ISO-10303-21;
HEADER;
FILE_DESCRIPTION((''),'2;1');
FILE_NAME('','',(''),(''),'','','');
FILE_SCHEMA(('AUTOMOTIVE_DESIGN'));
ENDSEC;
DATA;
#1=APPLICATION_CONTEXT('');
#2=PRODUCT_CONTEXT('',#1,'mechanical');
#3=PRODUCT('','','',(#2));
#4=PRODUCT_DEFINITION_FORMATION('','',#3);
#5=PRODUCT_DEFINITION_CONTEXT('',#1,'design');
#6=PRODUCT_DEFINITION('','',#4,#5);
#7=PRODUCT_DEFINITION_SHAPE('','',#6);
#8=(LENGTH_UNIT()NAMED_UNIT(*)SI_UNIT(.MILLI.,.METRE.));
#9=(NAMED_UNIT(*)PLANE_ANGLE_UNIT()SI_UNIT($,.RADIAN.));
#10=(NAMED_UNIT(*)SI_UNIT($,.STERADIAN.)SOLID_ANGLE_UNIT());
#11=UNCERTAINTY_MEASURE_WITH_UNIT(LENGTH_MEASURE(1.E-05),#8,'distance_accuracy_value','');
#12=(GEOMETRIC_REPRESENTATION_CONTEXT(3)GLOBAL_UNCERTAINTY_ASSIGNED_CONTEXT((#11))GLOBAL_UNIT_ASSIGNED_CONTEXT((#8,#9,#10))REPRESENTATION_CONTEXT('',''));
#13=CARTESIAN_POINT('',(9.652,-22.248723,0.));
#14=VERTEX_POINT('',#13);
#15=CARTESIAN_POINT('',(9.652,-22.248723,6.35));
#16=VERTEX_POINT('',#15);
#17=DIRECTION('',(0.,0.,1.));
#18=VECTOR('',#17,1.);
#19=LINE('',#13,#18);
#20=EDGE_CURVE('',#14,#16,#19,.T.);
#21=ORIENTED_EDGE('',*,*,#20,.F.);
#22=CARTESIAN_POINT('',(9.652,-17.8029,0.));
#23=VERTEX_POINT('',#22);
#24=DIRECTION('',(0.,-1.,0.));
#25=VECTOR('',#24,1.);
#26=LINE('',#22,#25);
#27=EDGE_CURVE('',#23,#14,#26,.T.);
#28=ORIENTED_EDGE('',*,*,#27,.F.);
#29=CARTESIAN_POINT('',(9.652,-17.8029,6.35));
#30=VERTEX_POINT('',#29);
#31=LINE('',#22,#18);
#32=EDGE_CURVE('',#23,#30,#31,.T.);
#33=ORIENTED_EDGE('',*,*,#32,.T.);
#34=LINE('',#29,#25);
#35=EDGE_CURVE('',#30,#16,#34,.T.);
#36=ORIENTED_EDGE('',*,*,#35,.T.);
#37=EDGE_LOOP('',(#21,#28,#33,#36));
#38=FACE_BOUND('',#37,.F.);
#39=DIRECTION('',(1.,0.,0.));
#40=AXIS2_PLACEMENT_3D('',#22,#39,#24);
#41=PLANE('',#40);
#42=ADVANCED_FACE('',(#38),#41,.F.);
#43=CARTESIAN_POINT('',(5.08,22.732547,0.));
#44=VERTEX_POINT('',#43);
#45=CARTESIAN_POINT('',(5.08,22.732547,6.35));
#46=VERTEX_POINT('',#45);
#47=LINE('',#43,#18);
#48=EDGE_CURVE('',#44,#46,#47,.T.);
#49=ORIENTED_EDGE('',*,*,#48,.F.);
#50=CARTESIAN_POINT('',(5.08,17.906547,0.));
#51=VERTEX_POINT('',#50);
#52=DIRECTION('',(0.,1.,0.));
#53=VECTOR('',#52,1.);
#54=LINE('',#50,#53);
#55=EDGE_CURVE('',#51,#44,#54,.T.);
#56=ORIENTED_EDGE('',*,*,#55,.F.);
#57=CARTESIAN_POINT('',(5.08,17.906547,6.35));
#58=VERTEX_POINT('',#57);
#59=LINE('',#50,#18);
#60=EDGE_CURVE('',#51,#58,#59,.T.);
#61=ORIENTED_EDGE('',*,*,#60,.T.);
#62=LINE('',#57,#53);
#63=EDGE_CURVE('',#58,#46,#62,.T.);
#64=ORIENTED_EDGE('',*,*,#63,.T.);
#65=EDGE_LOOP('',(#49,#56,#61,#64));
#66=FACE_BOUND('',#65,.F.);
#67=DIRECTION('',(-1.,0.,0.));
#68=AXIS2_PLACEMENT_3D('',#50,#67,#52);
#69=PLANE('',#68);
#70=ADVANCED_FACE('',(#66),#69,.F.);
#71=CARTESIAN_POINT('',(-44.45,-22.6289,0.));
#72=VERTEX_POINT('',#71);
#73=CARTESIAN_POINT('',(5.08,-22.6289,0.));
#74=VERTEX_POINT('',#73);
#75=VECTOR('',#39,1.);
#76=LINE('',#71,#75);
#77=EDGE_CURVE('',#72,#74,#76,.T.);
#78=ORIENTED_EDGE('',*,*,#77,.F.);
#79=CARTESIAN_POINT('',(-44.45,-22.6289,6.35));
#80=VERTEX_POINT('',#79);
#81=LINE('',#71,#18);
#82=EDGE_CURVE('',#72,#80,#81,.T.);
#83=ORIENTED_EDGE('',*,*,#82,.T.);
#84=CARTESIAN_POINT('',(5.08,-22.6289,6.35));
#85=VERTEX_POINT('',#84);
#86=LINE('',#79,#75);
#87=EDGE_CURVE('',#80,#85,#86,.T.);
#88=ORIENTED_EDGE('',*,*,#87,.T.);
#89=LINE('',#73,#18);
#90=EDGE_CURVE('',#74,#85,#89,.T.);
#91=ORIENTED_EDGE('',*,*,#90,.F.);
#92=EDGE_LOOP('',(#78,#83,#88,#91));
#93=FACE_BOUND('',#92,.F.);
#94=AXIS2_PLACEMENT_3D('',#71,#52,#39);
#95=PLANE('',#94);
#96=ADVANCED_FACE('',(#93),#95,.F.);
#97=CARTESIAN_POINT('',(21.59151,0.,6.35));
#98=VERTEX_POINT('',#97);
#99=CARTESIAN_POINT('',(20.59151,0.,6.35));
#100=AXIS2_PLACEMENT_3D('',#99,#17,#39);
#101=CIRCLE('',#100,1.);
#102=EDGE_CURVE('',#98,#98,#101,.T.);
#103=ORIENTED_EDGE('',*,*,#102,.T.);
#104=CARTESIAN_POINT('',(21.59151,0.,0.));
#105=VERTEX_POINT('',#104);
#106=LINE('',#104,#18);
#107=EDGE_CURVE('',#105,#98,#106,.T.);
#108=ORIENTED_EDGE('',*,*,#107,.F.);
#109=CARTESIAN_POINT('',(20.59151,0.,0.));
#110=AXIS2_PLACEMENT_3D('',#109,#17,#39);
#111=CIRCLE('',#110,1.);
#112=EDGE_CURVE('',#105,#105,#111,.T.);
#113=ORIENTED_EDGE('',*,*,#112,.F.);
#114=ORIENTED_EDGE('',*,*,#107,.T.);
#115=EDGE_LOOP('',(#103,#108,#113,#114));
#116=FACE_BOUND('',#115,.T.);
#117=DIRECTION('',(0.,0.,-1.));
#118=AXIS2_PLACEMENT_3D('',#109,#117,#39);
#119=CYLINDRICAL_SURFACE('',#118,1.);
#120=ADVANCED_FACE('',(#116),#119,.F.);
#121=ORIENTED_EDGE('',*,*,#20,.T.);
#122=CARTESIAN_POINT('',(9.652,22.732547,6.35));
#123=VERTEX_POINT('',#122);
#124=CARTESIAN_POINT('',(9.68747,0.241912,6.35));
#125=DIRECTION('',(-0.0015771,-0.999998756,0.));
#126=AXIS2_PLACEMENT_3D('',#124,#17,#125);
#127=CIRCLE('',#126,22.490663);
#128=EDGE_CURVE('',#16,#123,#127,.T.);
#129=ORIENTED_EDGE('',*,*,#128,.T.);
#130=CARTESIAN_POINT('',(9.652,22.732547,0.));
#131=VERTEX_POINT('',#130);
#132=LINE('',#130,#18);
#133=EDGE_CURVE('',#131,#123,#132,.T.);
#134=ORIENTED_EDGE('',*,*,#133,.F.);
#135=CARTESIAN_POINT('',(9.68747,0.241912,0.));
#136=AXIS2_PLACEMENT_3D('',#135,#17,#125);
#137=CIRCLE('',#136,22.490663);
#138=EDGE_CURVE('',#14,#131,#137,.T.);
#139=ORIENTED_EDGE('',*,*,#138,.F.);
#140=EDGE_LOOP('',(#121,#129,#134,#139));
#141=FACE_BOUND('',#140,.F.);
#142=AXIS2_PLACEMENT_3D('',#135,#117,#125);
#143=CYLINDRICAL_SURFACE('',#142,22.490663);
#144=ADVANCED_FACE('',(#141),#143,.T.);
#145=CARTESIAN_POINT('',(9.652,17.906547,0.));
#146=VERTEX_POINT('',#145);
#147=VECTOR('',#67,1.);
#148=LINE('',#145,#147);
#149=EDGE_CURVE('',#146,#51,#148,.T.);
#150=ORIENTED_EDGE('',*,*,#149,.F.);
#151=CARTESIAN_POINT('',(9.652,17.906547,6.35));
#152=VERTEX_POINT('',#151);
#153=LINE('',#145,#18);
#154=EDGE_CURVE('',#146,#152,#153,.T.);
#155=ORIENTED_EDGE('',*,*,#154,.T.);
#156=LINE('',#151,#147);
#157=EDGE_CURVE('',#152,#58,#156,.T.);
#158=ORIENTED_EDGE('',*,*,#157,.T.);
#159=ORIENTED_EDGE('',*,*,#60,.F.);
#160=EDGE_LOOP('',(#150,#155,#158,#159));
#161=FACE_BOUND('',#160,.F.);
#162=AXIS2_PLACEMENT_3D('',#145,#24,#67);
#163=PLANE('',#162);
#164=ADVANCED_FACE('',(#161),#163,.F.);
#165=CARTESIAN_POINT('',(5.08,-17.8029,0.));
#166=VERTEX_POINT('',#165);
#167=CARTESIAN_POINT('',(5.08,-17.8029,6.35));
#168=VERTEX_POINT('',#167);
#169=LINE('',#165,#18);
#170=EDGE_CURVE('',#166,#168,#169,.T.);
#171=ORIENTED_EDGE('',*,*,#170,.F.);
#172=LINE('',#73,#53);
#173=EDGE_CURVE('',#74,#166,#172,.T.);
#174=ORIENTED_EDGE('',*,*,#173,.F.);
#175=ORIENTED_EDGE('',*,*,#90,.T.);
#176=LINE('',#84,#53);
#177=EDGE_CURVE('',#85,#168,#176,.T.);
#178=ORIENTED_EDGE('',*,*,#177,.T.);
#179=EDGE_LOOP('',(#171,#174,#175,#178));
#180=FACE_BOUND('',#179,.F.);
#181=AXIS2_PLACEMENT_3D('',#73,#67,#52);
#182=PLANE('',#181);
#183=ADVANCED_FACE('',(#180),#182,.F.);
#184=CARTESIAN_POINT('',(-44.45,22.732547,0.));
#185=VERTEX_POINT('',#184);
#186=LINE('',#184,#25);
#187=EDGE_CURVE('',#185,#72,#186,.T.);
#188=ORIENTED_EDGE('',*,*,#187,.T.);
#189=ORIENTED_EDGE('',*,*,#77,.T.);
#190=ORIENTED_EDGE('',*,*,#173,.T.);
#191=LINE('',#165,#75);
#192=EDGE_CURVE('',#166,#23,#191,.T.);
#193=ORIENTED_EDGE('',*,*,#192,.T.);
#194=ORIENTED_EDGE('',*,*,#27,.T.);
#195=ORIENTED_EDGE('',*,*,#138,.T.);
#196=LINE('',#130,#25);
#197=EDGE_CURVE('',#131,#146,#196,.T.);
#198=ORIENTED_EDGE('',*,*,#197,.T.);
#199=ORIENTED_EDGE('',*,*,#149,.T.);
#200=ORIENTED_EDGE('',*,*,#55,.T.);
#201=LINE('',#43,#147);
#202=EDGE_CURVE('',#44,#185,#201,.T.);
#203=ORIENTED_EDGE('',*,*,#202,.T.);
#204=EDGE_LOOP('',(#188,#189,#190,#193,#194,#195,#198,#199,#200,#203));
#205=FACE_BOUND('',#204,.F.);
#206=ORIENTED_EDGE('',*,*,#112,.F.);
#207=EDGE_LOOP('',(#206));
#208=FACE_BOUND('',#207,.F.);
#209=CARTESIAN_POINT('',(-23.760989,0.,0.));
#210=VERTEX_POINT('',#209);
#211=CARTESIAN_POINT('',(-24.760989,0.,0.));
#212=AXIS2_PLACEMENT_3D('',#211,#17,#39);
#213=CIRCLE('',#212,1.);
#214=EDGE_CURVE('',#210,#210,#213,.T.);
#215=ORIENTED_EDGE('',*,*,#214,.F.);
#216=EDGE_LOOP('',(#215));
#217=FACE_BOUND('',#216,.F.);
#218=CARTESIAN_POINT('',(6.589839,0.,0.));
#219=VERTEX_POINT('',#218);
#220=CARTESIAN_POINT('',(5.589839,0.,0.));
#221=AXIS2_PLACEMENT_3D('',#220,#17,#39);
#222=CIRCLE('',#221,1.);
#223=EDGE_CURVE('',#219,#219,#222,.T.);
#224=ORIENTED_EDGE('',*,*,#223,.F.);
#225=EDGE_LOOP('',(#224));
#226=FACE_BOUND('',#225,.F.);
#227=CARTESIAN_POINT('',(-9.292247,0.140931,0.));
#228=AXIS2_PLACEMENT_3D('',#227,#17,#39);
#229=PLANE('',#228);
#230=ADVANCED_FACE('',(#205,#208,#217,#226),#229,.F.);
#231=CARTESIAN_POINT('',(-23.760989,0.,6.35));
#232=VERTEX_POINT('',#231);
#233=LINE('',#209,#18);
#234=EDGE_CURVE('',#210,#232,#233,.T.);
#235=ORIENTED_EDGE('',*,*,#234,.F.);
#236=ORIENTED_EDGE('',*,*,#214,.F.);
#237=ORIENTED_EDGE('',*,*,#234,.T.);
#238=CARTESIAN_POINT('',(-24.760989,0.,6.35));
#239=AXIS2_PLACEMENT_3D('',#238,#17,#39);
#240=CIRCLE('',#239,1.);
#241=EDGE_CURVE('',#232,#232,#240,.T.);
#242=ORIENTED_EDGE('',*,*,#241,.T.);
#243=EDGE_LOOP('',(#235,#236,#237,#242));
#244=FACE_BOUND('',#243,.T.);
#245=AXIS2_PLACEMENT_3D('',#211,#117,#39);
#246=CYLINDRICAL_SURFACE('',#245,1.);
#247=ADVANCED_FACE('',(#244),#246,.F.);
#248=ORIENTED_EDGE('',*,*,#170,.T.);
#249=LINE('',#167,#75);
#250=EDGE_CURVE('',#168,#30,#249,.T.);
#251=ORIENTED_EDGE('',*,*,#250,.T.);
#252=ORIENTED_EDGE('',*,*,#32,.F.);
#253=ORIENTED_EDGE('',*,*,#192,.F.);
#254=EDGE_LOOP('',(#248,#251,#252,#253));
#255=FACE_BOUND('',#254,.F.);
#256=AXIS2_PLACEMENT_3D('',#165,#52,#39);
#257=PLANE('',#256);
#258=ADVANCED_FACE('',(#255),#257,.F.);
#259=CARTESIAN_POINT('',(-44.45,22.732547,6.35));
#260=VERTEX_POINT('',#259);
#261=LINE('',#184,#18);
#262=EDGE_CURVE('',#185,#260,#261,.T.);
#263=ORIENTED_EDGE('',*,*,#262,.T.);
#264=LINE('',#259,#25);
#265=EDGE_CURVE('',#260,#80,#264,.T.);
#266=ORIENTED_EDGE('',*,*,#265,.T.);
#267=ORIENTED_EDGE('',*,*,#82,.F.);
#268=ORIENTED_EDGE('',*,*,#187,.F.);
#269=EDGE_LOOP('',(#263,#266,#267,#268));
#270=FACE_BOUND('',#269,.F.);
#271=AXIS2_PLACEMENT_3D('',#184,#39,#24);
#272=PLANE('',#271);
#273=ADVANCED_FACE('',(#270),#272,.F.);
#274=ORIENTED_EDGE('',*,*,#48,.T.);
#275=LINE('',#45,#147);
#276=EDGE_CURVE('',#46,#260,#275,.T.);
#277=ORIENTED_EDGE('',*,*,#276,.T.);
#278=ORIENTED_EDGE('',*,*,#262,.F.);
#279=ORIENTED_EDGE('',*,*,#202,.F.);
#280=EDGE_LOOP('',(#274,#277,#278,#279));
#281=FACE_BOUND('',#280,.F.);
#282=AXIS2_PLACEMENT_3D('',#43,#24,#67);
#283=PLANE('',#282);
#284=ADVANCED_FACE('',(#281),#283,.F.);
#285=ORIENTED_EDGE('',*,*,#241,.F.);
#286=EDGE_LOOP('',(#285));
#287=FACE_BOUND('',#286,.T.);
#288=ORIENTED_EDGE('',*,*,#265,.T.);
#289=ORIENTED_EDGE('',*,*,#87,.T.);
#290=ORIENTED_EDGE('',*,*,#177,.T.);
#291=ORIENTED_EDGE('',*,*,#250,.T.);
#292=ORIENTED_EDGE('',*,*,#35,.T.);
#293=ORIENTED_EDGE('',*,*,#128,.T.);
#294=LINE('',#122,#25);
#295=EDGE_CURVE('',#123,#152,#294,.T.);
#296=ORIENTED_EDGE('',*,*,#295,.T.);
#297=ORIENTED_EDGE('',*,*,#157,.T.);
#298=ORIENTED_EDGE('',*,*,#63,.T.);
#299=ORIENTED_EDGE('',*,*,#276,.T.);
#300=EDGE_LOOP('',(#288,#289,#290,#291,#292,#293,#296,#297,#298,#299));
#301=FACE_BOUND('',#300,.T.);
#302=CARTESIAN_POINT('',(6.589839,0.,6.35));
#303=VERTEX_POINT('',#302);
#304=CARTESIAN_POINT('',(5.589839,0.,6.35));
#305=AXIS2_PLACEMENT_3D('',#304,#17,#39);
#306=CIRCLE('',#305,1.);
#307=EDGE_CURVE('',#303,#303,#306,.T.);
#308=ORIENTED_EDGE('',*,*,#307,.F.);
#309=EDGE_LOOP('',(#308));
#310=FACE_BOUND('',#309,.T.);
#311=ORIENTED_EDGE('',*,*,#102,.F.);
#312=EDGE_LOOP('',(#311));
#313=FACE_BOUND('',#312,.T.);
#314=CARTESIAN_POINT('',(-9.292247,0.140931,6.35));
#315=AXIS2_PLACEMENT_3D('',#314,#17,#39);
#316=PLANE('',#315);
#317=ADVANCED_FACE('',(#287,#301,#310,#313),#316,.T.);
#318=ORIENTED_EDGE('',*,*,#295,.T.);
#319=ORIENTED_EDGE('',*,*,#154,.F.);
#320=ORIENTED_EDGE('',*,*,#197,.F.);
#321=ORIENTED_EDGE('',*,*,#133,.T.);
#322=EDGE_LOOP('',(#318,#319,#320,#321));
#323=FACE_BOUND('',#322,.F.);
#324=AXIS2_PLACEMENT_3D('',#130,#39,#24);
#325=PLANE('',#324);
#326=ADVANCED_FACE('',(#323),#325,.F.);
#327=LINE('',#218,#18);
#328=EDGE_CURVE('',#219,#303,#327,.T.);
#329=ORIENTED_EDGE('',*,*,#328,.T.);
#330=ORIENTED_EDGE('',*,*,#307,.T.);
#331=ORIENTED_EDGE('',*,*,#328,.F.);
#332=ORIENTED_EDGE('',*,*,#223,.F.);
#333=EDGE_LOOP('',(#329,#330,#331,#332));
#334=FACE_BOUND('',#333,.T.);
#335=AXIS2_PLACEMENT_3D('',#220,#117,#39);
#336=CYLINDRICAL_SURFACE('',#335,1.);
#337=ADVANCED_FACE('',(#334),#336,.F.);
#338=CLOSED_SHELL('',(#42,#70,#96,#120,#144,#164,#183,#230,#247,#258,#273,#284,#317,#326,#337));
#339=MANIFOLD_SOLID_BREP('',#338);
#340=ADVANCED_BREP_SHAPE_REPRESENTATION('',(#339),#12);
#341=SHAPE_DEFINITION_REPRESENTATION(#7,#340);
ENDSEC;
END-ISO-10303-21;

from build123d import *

# Parameters (mm, degrees)
F0_R     = 1
F1_DEPTH = 6.35


with BuildPart() as f1:
    # F0 (on Top) → F1 (new body)
    with BuildSketch(Plane.XY):
        with BuildLine():
            Line((-44.45, 22.732547), (-44.45, -22.6289))
            Line((-44.45, -22.6289), (5.08, -22.6289))
            Line((5.08, -22.6289), (5.08, -17.8029))
            Line((5.08, -17.8029), (9.652, -17.8029))
            Line((9.652, -17.8029), (9.652, -22.248723))
            ThreePointArc((9.652, -22.248723), (32.178133, 0.241912), (9.652, 22.732547))
            Line((9.652, 22.732547), (9.652, 17.906547))
            Line((9.652, 17.906547), (5.08, 17.906547))
            Line((5.08, 17.906547), (5.08, 22.732547))
            Line((5.08, 22.732547), (-44.45, 22.732547))
        make_face()
        with Locations((-24.760989, 0)):
            Circle(F0_R, mode=Mode.SUBTRACT)
        with Locations((5.589839, 0)):
            Circle(F0_R, mode=Mode.SUBTRACT)
        with Locations((20.59151, 0)):
            Circle(F0_R, mode=Mode.SUBTRACT)
    extrude(amount=F1_DEPTH)


solid = f1.part
